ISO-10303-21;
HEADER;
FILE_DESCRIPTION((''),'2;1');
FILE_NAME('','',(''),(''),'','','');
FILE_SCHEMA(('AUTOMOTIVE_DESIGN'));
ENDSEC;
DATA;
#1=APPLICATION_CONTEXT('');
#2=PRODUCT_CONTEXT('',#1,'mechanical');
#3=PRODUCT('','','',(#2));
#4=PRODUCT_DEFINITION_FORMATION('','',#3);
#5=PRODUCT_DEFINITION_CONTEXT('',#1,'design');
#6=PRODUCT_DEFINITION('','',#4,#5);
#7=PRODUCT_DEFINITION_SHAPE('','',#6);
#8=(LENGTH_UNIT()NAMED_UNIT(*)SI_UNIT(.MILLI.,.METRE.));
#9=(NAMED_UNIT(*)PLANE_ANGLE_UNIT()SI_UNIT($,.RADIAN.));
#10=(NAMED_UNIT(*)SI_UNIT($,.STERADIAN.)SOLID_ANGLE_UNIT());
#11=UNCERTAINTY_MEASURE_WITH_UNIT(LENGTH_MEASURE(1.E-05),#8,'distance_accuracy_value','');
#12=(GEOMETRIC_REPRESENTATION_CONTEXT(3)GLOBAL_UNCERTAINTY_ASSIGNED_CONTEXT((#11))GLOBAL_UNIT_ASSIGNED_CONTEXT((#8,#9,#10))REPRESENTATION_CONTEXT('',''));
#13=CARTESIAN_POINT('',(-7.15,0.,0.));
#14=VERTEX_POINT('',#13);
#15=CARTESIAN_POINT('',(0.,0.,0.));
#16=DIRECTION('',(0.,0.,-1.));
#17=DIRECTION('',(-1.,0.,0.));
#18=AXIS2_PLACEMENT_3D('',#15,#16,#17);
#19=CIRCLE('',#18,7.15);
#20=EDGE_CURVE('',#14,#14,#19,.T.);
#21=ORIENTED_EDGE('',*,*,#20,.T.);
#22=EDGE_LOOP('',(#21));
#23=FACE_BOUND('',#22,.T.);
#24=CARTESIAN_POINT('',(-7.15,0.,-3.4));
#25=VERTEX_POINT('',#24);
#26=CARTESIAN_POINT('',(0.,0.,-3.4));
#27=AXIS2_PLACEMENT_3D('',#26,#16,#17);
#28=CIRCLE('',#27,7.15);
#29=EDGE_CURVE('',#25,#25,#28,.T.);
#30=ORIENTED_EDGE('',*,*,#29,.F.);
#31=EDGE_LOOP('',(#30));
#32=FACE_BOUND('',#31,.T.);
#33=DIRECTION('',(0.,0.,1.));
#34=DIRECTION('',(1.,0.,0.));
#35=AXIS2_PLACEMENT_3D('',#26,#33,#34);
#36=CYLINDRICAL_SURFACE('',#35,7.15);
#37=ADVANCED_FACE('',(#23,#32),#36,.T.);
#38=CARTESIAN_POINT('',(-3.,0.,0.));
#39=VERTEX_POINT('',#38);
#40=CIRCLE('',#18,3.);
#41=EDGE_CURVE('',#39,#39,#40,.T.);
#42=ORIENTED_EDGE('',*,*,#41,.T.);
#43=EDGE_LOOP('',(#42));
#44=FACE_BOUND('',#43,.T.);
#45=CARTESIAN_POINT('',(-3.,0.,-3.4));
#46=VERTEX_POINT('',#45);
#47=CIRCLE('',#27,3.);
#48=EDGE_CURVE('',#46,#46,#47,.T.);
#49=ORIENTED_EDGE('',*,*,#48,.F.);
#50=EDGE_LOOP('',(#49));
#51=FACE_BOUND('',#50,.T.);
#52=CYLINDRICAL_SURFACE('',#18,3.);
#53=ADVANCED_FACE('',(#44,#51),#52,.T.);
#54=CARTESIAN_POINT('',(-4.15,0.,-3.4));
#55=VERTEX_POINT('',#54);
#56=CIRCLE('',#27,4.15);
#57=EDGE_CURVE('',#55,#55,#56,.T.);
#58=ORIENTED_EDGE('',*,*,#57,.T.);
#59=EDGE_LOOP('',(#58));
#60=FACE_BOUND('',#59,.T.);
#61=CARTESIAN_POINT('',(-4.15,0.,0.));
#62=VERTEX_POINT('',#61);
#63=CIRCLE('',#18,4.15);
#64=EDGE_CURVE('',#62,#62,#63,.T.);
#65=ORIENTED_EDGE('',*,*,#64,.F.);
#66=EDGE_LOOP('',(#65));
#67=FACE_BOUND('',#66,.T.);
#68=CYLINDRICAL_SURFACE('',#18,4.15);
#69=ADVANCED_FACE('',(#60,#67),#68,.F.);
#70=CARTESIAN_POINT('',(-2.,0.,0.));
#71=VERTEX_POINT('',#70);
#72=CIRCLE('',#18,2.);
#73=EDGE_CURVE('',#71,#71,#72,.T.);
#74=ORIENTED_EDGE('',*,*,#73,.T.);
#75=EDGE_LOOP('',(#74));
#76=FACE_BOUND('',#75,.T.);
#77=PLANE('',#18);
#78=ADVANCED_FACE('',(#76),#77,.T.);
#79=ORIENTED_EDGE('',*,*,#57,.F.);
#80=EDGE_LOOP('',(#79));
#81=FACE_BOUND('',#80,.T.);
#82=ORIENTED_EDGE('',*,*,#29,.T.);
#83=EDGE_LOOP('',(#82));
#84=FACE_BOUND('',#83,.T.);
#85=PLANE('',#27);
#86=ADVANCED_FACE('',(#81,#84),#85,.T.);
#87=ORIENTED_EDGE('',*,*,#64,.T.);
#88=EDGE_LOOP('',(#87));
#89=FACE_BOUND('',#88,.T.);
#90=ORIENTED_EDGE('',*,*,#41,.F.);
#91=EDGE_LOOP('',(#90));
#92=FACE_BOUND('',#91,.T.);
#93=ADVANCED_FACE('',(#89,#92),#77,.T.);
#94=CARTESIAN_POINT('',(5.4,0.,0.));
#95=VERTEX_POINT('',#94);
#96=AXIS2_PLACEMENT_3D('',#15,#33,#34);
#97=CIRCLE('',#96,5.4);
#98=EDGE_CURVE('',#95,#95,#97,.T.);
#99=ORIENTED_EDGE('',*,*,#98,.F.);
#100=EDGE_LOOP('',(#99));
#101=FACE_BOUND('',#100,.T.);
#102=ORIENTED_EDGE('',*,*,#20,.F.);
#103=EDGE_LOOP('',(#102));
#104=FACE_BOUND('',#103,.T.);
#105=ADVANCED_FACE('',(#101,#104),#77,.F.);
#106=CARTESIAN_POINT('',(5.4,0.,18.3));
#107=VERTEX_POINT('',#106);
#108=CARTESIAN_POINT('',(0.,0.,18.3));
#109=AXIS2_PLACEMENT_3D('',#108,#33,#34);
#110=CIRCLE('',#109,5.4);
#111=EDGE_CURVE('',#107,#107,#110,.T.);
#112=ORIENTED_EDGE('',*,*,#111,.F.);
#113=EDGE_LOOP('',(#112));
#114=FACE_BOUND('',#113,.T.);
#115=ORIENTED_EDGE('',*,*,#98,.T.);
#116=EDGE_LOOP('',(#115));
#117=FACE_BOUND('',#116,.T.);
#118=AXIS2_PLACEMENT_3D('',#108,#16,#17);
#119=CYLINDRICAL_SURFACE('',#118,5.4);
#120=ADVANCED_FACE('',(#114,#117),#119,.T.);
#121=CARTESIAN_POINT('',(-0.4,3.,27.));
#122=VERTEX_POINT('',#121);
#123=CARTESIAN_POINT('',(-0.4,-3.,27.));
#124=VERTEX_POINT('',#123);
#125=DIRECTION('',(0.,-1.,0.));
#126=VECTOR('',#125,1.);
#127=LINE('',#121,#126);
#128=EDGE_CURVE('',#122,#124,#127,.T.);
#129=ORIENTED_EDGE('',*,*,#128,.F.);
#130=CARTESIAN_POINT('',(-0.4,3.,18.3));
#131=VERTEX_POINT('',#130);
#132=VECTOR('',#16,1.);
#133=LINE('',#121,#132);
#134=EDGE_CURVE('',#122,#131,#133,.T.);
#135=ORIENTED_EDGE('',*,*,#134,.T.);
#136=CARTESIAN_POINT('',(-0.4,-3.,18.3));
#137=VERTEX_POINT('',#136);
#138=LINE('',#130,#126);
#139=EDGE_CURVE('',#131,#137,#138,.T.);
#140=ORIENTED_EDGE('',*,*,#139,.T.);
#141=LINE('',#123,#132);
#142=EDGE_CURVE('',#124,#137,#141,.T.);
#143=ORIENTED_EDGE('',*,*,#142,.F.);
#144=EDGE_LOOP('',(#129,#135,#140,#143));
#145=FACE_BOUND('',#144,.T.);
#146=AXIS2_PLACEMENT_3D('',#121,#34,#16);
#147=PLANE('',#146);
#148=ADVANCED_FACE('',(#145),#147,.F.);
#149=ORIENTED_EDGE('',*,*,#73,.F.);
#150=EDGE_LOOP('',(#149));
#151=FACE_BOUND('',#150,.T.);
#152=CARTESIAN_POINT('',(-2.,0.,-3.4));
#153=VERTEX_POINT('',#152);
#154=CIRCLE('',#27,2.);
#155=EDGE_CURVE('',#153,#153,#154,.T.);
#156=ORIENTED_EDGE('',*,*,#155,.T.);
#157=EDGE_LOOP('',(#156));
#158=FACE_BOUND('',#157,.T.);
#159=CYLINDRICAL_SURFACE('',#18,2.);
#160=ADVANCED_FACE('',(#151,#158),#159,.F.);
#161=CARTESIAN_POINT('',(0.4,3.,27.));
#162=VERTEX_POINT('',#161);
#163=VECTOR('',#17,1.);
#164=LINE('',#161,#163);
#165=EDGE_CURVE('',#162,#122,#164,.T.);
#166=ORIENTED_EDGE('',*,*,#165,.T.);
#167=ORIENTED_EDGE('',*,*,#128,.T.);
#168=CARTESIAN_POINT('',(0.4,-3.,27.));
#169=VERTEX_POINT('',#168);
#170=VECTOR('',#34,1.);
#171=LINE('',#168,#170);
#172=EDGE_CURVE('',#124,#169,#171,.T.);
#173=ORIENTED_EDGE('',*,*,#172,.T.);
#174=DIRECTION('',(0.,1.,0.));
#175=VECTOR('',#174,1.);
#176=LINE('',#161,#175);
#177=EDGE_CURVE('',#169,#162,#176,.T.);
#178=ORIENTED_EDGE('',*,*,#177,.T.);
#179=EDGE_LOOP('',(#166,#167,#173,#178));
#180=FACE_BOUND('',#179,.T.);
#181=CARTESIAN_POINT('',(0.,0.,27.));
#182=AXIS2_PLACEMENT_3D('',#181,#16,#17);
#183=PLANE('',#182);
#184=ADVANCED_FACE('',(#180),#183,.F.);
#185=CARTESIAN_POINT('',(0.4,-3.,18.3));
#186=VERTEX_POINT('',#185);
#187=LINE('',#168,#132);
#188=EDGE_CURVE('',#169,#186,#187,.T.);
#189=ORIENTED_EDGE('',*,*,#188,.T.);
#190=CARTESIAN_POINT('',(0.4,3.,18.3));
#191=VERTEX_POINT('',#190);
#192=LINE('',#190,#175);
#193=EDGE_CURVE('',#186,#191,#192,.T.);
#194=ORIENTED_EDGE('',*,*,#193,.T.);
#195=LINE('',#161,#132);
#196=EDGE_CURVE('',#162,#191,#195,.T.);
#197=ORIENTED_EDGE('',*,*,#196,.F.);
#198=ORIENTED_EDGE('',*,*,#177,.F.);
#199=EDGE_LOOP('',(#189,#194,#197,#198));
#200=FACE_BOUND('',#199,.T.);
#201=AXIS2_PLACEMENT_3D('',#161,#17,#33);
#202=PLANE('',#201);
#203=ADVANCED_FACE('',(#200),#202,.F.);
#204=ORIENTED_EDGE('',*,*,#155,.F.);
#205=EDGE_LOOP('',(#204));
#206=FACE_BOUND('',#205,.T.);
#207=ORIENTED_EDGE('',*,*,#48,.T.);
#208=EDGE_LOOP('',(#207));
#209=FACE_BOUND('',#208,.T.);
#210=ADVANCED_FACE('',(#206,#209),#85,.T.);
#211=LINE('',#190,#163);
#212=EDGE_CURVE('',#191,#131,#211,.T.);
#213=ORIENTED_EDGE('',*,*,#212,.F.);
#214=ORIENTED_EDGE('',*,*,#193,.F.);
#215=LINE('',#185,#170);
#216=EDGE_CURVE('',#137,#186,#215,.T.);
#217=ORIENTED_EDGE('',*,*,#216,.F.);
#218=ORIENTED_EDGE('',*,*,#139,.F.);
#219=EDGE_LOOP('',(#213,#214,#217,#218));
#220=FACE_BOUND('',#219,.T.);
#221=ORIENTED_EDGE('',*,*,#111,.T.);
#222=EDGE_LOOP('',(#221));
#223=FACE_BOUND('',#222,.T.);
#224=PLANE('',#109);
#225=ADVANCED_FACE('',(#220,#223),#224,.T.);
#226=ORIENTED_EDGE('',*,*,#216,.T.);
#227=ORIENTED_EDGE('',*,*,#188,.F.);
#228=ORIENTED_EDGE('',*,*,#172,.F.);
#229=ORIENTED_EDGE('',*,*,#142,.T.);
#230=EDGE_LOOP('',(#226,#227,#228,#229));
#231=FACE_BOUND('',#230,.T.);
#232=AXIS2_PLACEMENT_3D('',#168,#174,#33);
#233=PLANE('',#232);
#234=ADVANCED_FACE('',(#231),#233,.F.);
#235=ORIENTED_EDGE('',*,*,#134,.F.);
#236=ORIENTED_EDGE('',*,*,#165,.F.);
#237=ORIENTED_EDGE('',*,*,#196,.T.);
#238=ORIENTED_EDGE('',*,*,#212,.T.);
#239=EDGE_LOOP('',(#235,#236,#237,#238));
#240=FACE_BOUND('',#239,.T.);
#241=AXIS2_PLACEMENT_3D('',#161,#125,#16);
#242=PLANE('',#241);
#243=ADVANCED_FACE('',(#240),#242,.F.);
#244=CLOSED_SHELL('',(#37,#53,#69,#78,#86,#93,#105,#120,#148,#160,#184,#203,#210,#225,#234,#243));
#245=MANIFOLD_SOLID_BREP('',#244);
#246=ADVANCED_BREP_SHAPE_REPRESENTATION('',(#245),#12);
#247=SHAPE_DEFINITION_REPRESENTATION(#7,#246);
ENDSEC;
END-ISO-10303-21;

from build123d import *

# Parameters (mm, degrees)
ESQUISSE1_R             = 5.4
BOSS_EXTRU_1_DEPTH      = 18.3
ESQUISSE2_R             = 7.15
BOSS_EXTRU_3_DEPTH      = 3.4
ESQUISSE3_R             = 4.15
ESQUISSE3_R_2           = 3
ENL_V_MAT_EXTRU_1_DEPTH = 3.4
ESQUISSE5_R             = 2
ENL_V_MAT_EXTRU_2_DEPTH = 3.4
ESQUISSE6_W             = 0.8
ESQUISSE6_H             = 6
BOSS_EXTRU_4_DEPTH      = 8.7


with BuildPart() as part:
    # Esquisse1 → Boss.-Extru.1 (new body)
    with BuildSketch(Plane.XY):
        Circle(ESQUISSE1_R)
    extrude(amount=BOSS_EXTRU_1_DEPTH)

    # Esquisse2 → Boss.-Extru.3 (add)
    with BuildSketch(Plane(origin=(0, 0, 0), x_dir=(-1, 0, 0), z_dir=(0, 0, -1))):
        Circle(ESQUISSE2_R)
    extrude(amount=BOSS_EXTRU_3_DEPTH)

    # Esquisse3 → Enlèv. mat.-Extru.1 (cut)
    with BuildSketch(Plane(origin=(0, 0, -3.4), x_dir=(-1, 0, 0), z_dir=(0, 0, -1))):
        Circle(ESQUISSE3_R)
        Circle(ESQUISSE3_R_2, mode=Mode.SUBTRACT)
    extrude(amount=-ENL_V_MAT_EXTRU_1_DEPTH, mode=Mode.SUBTRACT)

    # Esquisse5 → Enlèv. mat.-Extru.2 (cut)
    with BuildSketch(Plane(origin=(0, 0, -3.4), x_dir=(-1, 0, 0), z_dir=(0, 0, -1))):
        Circle(ESQUISSE5_R)
    extrude(amount=-ENL_V_MAT_EXTRU_2_DEPTH, mode=Mode.SUBTRACT)

    # Esquisse6 → Boss.-Extru.4 (add)
    with BuildSketch(Plane.XY.offset(18.3)):
        Rectangle(ESQUISSE6_W, ESQUISSE6_H)
    extrude(amount=BOSS_EXTRU_4_DEPTH)


solid = part.part
